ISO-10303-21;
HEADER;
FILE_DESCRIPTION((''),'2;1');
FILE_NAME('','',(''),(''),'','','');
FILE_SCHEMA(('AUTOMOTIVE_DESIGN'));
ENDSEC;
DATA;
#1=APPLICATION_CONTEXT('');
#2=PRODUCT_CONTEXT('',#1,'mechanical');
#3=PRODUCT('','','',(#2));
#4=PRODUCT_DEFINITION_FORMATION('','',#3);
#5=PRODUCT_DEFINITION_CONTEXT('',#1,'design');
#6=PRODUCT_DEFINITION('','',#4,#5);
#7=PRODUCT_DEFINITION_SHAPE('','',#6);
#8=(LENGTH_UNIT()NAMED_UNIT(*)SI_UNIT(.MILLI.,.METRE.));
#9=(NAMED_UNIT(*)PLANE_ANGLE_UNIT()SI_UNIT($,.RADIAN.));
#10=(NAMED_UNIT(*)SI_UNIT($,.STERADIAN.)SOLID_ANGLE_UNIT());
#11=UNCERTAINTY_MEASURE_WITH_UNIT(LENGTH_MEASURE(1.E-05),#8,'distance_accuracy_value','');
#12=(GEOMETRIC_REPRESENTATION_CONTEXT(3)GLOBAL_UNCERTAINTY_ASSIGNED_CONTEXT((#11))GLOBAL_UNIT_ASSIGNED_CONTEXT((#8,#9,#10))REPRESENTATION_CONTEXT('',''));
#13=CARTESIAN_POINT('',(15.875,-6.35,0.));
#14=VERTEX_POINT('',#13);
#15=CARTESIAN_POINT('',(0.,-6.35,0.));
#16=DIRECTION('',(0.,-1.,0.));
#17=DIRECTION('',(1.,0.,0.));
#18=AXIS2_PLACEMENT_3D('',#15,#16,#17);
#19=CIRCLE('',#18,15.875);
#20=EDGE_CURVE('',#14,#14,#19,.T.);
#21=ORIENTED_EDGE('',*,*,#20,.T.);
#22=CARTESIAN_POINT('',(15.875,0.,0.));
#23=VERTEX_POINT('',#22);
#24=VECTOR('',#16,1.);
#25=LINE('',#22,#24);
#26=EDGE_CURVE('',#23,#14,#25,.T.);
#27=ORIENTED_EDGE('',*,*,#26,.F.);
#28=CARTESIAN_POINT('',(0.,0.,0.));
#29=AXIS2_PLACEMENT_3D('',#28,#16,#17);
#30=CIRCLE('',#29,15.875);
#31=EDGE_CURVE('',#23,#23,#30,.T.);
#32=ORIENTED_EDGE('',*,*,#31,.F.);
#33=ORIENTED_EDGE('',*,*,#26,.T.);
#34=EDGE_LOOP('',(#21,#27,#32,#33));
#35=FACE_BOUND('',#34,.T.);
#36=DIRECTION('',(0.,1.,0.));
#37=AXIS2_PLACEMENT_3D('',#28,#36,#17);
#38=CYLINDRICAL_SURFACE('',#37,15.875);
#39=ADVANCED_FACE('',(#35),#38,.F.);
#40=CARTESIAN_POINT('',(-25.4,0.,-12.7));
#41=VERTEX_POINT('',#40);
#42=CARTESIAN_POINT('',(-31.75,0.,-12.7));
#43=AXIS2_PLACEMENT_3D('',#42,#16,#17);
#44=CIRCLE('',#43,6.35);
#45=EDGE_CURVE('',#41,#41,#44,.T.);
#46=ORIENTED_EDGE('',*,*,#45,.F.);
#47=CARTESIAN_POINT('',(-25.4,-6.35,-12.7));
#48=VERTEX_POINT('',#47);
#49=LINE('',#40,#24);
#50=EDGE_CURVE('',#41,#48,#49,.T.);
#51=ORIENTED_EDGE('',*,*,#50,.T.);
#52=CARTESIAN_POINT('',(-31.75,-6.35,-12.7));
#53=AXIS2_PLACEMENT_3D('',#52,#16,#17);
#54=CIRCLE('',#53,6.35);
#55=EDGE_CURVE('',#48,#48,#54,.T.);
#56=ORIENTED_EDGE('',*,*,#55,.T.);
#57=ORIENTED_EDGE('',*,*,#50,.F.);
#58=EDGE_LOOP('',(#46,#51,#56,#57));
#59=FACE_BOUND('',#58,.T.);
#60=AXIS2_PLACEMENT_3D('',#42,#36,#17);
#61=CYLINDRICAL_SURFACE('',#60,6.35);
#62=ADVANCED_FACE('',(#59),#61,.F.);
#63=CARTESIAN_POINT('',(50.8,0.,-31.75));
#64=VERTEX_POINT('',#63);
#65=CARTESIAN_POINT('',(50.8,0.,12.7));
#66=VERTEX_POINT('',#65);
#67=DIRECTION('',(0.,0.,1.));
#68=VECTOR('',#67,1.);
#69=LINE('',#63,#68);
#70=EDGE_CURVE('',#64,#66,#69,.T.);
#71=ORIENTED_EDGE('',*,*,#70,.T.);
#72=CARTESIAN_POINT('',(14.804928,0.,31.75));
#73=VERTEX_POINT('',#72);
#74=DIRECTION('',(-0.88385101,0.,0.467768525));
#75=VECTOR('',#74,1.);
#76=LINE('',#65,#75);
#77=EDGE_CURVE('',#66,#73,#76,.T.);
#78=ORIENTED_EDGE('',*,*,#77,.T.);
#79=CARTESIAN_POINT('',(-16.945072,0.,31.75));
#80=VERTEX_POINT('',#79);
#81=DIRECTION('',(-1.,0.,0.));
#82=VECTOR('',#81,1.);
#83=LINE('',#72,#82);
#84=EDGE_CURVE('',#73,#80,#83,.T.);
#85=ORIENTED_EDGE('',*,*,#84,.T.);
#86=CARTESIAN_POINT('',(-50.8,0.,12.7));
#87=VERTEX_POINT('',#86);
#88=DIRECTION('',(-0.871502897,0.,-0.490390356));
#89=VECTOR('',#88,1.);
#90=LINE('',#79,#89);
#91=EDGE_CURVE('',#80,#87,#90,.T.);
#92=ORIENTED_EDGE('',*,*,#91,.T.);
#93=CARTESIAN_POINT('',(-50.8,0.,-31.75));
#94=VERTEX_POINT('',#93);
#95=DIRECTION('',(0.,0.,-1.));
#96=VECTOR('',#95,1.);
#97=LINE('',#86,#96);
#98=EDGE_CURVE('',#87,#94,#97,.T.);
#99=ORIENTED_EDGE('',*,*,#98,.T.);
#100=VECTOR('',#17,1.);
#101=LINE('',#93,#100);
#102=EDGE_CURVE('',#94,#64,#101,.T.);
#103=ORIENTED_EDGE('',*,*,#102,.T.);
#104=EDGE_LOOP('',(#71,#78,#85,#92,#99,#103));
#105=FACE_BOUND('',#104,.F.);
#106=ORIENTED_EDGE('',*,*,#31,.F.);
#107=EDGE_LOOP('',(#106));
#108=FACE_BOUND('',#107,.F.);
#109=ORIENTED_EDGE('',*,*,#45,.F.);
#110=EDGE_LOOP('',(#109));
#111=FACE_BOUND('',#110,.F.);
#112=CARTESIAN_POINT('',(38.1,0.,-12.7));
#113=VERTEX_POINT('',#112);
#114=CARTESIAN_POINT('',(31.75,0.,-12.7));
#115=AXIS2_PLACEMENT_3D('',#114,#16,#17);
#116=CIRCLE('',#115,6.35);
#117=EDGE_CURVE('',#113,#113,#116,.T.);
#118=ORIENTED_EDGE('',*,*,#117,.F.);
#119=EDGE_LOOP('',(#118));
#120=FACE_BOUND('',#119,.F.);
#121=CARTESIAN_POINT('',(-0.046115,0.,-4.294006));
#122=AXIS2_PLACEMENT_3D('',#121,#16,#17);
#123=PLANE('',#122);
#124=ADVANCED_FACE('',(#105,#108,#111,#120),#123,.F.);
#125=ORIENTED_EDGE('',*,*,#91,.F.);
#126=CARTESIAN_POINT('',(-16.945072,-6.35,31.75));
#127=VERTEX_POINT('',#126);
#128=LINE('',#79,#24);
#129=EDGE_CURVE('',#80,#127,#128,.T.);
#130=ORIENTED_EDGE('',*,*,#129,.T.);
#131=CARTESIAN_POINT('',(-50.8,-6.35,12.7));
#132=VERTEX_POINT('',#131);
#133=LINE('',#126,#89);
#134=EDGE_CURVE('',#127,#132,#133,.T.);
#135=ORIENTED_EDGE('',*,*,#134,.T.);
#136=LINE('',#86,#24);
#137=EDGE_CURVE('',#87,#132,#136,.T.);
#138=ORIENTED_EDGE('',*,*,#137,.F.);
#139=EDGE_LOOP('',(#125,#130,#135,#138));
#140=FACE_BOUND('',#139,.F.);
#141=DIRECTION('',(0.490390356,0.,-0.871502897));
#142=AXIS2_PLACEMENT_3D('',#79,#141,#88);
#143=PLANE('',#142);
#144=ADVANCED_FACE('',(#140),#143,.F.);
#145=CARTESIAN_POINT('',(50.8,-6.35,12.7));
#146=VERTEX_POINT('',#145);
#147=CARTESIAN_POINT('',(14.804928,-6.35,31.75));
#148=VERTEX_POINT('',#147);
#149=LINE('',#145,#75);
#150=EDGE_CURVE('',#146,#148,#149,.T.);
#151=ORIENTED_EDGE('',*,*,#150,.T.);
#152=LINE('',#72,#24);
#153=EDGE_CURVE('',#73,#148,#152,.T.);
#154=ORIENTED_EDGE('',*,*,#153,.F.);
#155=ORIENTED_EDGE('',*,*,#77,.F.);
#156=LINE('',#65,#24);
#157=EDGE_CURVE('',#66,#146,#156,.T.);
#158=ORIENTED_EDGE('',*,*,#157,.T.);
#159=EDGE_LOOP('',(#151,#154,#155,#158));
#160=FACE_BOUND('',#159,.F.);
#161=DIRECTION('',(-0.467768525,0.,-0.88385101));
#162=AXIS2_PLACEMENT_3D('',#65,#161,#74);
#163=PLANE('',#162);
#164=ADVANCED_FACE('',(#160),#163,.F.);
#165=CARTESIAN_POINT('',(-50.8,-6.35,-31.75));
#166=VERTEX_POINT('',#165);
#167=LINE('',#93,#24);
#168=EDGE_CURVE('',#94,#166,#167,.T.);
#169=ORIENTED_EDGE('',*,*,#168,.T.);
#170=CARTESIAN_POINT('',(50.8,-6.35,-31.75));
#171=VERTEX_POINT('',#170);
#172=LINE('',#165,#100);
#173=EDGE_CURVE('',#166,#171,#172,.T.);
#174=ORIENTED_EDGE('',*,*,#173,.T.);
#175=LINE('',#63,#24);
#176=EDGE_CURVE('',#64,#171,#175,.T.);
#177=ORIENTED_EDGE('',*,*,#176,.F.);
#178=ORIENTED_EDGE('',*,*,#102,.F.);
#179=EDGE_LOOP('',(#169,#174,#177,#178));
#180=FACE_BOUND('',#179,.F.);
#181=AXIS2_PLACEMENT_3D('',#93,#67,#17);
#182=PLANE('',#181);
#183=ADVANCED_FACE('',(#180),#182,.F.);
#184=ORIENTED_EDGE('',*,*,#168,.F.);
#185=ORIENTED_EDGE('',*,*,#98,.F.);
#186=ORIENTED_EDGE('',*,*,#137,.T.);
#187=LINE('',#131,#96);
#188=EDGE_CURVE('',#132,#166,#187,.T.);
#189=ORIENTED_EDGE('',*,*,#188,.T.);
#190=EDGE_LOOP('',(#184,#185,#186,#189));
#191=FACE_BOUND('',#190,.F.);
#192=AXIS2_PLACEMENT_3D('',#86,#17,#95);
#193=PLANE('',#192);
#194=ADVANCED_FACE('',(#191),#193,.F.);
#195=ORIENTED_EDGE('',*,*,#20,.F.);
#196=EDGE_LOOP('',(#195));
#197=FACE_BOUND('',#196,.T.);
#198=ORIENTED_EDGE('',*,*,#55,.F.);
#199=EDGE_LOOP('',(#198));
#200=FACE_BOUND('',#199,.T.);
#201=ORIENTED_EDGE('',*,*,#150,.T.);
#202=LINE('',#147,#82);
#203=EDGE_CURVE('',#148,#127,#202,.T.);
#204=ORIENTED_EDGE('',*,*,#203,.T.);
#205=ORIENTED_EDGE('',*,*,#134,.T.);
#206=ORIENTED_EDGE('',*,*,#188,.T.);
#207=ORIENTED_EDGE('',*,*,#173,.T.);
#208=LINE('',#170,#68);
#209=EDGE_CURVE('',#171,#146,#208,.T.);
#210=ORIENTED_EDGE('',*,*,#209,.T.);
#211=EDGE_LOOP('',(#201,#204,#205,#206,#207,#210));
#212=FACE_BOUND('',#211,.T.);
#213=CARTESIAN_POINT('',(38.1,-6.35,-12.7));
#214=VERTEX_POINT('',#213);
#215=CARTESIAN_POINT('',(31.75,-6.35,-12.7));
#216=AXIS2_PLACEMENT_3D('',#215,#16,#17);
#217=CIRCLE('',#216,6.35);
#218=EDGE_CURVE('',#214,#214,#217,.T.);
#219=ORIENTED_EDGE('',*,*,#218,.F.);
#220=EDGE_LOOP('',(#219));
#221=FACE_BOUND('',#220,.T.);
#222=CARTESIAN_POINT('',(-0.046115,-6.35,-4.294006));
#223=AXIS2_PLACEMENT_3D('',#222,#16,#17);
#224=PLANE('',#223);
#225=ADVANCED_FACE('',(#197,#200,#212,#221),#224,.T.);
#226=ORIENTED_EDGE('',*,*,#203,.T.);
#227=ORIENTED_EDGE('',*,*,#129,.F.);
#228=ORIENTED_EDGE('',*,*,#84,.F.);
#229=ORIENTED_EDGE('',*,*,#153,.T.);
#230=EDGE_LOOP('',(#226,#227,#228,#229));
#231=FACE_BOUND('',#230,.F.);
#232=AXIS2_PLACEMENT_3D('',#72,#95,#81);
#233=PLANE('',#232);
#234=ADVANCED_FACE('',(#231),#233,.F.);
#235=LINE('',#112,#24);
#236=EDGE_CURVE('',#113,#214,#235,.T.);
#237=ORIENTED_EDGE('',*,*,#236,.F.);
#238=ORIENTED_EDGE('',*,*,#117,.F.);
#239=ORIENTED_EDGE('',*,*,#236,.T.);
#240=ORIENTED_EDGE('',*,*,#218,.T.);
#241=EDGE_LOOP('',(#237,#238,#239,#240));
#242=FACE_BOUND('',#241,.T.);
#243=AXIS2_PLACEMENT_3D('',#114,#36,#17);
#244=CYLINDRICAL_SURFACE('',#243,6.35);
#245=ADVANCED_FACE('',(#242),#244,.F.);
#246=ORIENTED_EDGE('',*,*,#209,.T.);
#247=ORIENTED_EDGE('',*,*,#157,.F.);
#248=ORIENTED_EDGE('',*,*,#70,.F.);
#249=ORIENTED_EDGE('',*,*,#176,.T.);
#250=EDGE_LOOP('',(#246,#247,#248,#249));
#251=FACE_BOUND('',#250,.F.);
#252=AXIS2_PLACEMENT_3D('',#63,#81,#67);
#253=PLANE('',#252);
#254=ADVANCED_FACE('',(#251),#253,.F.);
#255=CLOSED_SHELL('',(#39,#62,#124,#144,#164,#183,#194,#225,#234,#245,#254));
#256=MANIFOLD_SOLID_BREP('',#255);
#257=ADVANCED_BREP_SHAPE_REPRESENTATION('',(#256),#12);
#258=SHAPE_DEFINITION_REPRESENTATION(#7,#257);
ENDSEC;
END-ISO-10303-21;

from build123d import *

# Parameters (mm, degrees)
F0_R     = 6.35
F0_R_2   = 15.875
F1_DEPTH = 6.35


with BuildPart() as f1:
    # F0 (on Front) → F1 (new body)
    with BuildSketch(Plane.XZ):
        Polygon((50.8, -31.75), (50.8, 12.7), (14.804928, 31.75), (-16.945072, 31.75), (-50.8, 12.7), (-50.8, -31.75), align=None)
        with Locations((-31.75, -12.7)):
            Circle(F0_R, mode=Mode.SUBTRACT)
        with Locations((31.75, -12.7)):
            Circle(F0_R, mode=Mode.SUBTRACT)
        Circle(F0_R_2, mode=Mode.SUBTRACT)
    extrude(amount=F1_DEPTH)


solid = f1.part
